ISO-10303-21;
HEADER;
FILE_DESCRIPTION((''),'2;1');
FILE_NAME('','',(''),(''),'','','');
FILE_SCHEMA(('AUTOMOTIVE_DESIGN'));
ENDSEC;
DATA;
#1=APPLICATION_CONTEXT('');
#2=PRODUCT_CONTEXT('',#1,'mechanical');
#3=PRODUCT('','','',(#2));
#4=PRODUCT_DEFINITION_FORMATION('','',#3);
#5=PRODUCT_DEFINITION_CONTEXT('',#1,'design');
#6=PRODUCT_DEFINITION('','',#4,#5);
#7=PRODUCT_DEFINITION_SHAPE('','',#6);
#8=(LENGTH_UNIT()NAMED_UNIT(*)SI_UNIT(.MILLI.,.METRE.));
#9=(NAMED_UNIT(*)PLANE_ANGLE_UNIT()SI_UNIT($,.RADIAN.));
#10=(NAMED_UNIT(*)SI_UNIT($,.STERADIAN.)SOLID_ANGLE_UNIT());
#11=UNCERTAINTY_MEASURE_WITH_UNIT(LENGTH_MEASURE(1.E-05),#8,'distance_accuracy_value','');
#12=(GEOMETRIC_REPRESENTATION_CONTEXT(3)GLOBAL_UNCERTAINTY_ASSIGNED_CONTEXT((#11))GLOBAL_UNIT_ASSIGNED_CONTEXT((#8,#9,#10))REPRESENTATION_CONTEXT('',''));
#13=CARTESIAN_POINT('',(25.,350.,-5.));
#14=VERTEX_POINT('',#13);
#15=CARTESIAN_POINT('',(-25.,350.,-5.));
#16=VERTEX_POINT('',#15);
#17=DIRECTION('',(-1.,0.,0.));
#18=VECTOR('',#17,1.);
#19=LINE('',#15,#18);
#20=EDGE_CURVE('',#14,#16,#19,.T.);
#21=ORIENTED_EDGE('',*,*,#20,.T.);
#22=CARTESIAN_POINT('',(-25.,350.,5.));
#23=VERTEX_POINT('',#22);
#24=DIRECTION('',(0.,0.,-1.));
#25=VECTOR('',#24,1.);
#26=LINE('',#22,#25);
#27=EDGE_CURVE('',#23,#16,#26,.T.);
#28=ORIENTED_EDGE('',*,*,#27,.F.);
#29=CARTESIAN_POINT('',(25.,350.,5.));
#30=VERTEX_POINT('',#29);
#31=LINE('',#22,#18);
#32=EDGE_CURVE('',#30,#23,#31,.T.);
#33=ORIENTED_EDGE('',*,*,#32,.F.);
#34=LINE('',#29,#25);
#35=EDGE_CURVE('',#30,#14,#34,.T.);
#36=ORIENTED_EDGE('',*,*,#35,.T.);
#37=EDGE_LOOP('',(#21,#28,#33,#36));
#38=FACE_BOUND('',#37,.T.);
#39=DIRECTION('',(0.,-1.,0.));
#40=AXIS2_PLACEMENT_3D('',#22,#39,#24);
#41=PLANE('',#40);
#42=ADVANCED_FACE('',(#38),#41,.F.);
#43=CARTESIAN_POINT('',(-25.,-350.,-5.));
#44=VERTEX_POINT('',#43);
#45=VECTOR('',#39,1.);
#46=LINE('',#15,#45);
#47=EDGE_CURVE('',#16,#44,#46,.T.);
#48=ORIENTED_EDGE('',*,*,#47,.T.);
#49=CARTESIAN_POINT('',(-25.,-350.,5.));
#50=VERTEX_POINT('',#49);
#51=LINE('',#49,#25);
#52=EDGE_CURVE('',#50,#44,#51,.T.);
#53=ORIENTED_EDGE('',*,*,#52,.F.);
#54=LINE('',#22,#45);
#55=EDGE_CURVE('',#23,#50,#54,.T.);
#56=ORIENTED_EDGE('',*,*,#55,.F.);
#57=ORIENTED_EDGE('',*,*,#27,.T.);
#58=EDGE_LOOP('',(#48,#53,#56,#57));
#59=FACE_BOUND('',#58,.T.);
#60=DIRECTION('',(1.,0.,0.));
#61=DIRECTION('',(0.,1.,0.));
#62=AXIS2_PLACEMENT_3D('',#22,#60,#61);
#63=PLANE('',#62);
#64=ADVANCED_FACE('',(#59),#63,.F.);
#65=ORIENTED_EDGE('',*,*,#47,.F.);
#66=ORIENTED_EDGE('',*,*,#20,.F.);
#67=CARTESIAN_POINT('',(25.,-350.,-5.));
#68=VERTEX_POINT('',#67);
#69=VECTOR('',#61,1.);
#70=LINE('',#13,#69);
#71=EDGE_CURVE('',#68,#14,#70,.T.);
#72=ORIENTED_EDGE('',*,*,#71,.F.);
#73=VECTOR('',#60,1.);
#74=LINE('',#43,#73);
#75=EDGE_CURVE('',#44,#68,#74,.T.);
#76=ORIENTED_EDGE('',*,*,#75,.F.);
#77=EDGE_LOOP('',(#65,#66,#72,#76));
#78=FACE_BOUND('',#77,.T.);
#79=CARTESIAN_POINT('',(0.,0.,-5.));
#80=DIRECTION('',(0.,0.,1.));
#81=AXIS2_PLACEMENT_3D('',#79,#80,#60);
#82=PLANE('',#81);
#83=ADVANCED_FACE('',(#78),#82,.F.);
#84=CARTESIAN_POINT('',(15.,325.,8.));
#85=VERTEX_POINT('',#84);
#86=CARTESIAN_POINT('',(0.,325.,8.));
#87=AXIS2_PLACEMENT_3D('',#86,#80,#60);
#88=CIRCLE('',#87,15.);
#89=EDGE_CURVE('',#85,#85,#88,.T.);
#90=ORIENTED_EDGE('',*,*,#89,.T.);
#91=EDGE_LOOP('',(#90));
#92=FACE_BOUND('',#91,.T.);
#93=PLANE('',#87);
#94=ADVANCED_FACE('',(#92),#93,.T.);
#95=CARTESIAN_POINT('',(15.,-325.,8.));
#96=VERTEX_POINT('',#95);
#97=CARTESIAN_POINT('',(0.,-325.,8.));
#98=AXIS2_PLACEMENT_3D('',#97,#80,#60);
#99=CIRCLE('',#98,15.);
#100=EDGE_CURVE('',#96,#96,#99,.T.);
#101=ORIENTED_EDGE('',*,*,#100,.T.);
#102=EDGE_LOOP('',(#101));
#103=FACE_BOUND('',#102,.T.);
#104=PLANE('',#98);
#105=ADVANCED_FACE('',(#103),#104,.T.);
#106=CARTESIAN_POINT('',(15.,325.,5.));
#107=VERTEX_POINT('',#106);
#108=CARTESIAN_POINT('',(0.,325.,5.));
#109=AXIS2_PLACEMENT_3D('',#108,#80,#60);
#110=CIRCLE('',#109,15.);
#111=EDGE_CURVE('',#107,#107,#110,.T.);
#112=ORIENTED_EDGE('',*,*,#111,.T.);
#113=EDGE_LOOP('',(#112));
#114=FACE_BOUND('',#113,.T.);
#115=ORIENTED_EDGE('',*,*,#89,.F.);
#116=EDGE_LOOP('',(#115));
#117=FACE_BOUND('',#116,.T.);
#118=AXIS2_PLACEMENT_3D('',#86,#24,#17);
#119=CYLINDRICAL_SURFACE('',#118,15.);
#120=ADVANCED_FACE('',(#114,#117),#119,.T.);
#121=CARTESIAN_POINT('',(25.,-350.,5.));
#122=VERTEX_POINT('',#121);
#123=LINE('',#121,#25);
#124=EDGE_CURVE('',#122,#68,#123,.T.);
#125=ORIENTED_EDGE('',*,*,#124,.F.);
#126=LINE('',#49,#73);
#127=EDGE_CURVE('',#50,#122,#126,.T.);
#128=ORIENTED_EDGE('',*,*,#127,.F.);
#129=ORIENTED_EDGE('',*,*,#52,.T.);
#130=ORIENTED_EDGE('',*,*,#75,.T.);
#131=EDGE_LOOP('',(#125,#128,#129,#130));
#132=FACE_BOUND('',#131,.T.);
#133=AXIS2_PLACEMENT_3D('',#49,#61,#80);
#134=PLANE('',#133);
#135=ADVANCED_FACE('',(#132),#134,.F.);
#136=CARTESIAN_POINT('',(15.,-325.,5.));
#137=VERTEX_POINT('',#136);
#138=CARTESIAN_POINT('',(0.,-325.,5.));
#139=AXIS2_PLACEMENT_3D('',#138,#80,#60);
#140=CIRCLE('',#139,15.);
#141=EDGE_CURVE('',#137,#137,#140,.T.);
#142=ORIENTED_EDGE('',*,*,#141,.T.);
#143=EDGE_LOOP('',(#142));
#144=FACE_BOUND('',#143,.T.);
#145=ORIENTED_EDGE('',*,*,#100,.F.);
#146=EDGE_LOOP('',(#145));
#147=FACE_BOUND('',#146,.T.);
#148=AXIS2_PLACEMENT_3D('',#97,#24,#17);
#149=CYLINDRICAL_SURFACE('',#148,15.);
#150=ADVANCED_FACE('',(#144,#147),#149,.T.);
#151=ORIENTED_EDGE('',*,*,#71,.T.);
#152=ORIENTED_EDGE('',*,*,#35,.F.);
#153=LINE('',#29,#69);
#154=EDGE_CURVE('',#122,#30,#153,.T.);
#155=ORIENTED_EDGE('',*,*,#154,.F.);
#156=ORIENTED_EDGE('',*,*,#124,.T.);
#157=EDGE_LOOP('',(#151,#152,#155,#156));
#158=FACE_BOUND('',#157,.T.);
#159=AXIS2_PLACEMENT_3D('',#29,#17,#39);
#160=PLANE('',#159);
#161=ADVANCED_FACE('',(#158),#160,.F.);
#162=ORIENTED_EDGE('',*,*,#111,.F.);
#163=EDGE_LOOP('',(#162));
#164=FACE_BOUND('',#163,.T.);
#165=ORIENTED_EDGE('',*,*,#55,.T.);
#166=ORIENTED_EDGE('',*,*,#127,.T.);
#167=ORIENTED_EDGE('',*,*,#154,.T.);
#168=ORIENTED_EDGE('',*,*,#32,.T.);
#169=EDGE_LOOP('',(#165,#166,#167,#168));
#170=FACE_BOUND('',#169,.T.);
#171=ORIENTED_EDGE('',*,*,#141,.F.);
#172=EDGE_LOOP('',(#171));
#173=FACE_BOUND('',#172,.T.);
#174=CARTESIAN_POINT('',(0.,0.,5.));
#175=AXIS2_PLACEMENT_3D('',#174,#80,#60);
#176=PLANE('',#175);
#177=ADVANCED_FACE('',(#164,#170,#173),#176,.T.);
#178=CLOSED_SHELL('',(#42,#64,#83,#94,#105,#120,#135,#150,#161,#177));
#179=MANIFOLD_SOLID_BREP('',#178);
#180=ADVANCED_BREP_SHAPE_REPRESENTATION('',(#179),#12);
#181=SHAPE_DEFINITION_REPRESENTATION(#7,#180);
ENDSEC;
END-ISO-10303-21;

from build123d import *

# Parameters (mm, degrees)
SKETCH1_W           = 50
SKETCH1_H           = 700
BOSS_EXTRUDE1_DEPTH = 5
SKETCH2_R           = 15
BOSS_EXTRUDE2_DEPTH = 3


with BuildPart() as part:
    # Sketch1 → Boss-Extrude1 (new, symmetric)
    with BuildSketch(Plane.XY):
        Rectangle(SKETCH1_W, SKETCH1_H)
    extrude(amount=BOSS_EXTRUDE1_DEPTH, both=True)

    # Sketch2 → Boss-Extrude2 (add)
    with BuildSketch(Plane.XY.offset(5)):
        with Locations((0, -325)):
            Circle(SKETCH2_R)
        with Locations((0, 325)):
            Circle(SKETCH2_R)
    extrude(amount=BOSS_EXTRUDE2_DEPTH)


solid = part.part
